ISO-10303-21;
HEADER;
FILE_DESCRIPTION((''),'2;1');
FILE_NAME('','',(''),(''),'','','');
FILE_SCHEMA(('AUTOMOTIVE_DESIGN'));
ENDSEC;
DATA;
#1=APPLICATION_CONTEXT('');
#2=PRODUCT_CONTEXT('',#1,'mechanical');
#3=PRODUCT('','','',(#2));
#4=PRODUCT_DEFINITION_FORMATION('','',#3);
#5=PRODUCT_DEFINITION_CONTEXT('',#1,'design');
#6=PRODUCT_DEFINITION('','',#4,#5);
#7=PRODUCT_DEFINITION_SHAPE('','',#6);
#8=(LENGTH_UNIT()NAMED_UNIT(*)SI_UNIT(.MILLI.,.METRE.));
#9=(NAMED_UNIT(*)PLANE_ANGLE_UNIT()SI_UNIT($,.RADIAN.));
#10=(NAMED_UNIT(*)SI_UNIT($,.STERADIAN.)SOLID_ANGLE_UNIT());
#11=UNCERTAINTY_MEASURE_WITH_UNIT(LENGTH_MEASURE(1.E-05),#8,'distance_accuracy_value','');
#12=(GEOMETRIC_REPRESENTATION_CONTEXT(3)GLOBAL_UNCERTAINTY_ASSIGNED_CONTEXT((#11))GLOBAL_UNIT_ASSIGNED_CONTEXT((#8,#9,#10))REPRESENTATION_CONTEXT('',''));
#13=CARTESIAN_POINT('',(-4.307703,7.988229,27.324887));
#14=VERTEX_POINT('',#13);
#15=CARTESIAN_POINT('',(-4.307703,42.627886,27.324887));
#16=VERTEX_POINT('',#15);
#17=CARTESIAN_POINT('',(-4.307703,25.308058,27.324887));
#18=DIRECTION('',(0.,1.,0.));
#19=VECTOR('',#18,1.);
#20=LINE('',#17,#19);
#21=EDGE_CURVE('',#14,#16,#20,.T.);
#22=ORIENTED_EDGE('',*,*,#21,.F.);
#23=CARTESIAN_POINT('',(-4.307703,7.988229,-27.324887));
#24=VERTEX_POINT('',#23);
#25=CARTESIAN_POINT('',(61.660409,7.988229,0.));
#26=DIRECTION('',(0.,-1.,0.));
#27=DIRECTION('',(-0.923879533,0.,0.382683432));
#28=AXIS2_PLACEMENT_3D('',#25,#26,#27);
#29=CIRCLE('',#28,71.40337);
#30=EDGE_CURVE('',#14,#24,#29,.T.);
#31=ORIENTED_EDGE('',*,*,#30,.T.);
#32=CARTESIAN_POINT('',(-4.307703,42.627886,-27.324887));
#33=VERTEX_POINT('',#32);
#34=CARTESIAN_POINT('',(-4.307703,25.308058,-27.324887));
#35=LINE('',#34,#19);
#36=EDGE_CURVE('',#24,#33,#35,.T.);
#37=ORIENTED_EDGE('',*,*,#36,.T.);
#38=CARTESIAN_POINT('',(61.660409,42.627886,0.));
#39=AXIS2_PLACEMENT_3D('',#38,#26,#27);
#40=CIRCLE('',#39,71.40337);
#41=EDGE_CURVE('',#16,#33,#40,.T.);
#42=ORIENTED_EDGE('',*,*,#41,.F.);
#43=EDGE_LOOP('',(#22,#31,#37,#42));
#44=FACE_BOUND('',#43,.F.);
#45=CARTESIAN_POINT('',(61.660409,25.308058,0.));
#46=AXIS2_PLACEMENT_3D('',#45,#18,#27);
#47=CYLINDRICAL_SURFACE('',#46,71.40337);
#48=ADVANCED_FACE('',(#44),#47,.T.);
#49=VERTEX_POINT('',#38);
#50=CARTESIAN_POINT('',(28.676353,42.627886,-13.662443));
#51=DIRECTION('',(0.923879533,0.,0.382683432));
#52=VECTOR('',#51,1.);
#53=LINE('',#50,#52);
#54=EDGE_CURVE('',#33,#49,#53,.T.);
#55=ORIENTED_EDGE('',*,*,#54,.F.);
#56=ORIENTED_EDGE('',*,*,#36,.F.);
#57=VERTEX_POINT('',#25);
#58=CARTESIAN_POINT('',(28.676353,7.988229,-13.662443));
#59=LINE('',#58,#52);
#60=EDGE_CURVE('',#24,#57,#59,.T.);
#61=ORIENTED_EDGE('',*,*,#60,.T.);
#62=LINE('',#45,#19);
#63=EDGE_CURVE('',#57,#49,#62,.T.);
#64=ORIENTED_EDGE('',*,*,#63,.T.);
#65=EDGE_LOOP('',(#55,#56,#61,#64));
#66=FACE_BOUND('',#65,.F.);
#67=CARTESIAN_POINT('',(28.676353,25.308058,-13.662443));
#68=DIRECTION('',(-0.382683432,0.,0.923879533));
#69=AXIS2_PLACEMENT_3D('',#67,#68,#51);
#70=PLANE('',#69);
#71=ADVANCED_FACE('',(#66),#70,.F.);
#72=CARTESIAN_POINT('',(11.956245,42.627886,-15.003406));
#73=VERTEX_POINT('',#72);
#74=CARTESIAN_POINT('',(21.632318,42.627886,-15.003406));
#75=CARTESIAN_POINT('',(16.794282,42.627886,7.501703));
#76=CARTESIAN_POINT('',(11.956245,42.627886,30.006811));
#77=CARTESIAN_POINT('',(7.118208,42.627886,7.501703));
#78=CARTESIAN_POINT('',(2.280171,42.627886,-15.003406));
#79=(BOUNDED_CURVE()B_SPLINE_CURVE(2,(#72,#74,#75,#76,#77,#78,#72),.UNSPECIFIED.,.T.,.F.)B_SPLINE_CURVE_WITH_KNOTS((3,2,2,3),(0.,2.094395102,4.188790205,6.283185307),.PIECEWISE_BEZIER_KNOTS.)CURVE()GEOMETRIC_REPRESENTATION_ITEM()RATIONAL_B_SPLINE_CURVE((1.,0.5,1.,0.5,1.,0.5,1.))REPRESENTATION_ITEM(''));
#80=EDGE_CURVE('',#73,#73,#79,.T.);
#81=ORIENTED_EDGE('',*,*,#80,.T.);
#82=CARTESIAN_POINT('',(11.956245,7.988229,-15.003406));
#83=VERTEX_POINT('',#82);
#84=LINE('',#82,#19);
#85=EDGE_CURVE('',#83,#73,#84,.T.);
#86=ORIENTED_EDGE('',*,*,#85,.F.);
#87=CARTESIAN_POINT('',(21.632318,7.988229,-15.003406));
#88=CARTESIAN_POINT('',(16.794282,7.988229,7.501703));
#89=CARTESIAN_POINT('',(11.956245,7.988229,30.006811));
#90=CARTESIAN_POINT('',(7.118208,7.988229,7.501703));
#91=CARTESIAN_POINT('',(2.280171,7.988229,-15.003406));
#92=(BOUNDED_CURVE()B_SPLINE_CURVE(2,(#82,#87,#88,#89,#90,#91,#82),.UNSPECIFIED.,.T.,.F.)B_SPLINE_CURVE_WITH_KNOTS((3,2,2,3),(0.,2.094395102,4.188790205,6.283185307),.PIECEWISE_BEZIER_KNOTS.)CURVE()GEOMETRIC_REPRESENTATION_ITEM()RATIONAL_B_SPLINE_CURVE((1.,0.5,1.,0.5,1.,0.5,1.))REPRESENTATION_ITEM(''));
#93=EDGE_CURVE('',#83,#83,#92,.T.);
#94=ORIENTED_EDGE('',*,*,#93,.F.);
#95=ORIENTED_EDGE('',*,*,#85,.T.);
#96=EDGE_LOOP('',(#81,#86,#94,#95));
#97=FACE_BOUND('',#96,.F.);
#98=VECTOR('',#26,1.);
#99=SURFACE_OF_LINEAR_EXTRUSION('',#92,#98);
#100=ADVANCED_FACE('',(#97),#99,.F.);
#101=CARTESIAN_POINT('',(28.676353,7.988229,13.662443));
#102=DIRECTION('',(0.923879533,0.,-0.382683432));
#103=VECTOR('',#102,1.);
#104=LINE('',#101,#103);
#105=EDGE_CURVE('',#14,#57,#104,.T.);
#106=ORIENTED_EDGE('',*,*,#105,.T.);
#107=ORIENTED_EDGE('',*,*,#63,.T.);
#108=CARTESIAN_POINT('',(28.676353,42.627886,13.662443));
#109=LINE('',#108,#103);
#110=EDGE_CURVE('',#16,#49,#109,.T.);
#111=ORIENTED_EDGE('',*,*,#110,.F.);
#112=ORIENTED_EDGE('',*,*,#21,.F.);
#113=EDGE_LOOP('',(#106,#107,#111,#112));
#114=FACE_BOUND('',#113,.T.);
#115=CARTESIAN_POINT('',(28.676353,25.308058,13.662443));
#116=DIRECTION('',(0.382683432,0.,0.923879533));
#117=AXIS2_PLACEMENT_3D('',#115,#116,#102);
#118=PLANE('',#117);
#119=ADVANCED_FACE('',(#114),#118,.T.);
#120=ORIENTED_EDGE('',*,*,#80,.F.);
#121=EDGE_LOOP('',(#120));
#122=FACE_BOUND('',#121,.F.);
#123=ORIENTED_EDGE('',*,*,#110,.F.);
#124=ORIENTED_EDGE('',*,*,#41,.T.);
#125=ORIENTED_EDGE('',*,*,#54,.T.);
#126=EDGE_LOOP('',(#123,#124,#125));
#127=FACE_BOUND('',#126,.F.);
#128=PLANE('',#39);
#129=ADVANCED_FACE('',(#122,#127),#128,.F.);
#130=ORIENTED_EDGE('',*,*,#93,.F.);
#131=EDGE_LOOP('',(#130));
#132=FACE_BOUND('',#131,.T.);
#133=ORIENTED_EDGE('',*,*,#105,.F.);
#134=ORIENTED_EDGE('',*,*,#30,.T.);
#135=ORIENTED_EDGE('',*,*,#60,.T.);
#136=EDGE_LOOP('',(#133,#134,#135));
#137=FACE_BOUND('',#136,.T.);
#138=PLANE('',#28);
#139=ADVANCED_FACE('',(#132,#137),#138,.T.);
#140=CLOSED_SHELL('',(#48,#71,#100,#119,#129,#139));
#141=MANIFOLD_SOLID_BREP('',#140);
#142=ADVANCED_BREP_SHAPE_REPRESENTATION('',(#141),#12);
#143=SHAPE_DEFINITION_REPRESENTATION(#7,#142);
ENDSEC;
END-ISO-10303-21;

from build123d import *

# Parameters (mm, degrees)
F0_W          = 71.4033702388
F0_H          = 34.6396565437
F1_ANGLE_BACK = 22.5
F1_ANGLE      = 45
F3_DEPTH      = 34.6396565437


with BuildPart() as f1:
    # F0 (on Top) → F1 (revolve)
    with BuildSketch(Plane.XY, mode=Mode.PRIVATE) as f1_sk:
        with Locations((25.9587238543, 25.3080576658)):
            Rectangle(F0_W, F0_H)
    revolve(f1_sk.sketch.rotate(Axis((61.6604089737, 25.3080576658, 0), (0, -1, 0)), -F1_ANGLE_BACK), axis=Axis((61.6604089737, 25.3080576658, 0), (0, -1, 0)), revolution_arc=F1_ANGLE)

    # F2 (on face) → F3 (cut, through all)
    with BuildSketch(Plane.XZ.offset(-7.988229394)):
        with BuildLine():
            add(Edge.make_bspline(
                [(11.9562447071, -15.0034055114), (21.6323183135, -15.0034055114), (16.7942815103, 7.5017027557), (11.9562447071, 30.0068110228), (7.1182079039, 7.5017027557), (2.2801711007, -15.0034055114), (11.9562447071, -15.0034055114)],
                knots=[0, 0, 0, 2.0943951024, 2.0943951024, 4.1887902048, 4.1887902048, 6.2831853072, 6.2831853072, 6.2831853072], degree=2, weights=[1, 0.5, 1, 0.5, 1, 0.5, 1]))
        make_face()
    extrude(amount=-F3_DEPTH, mode=Mode.SUBTRACT)


solid = f1.part
